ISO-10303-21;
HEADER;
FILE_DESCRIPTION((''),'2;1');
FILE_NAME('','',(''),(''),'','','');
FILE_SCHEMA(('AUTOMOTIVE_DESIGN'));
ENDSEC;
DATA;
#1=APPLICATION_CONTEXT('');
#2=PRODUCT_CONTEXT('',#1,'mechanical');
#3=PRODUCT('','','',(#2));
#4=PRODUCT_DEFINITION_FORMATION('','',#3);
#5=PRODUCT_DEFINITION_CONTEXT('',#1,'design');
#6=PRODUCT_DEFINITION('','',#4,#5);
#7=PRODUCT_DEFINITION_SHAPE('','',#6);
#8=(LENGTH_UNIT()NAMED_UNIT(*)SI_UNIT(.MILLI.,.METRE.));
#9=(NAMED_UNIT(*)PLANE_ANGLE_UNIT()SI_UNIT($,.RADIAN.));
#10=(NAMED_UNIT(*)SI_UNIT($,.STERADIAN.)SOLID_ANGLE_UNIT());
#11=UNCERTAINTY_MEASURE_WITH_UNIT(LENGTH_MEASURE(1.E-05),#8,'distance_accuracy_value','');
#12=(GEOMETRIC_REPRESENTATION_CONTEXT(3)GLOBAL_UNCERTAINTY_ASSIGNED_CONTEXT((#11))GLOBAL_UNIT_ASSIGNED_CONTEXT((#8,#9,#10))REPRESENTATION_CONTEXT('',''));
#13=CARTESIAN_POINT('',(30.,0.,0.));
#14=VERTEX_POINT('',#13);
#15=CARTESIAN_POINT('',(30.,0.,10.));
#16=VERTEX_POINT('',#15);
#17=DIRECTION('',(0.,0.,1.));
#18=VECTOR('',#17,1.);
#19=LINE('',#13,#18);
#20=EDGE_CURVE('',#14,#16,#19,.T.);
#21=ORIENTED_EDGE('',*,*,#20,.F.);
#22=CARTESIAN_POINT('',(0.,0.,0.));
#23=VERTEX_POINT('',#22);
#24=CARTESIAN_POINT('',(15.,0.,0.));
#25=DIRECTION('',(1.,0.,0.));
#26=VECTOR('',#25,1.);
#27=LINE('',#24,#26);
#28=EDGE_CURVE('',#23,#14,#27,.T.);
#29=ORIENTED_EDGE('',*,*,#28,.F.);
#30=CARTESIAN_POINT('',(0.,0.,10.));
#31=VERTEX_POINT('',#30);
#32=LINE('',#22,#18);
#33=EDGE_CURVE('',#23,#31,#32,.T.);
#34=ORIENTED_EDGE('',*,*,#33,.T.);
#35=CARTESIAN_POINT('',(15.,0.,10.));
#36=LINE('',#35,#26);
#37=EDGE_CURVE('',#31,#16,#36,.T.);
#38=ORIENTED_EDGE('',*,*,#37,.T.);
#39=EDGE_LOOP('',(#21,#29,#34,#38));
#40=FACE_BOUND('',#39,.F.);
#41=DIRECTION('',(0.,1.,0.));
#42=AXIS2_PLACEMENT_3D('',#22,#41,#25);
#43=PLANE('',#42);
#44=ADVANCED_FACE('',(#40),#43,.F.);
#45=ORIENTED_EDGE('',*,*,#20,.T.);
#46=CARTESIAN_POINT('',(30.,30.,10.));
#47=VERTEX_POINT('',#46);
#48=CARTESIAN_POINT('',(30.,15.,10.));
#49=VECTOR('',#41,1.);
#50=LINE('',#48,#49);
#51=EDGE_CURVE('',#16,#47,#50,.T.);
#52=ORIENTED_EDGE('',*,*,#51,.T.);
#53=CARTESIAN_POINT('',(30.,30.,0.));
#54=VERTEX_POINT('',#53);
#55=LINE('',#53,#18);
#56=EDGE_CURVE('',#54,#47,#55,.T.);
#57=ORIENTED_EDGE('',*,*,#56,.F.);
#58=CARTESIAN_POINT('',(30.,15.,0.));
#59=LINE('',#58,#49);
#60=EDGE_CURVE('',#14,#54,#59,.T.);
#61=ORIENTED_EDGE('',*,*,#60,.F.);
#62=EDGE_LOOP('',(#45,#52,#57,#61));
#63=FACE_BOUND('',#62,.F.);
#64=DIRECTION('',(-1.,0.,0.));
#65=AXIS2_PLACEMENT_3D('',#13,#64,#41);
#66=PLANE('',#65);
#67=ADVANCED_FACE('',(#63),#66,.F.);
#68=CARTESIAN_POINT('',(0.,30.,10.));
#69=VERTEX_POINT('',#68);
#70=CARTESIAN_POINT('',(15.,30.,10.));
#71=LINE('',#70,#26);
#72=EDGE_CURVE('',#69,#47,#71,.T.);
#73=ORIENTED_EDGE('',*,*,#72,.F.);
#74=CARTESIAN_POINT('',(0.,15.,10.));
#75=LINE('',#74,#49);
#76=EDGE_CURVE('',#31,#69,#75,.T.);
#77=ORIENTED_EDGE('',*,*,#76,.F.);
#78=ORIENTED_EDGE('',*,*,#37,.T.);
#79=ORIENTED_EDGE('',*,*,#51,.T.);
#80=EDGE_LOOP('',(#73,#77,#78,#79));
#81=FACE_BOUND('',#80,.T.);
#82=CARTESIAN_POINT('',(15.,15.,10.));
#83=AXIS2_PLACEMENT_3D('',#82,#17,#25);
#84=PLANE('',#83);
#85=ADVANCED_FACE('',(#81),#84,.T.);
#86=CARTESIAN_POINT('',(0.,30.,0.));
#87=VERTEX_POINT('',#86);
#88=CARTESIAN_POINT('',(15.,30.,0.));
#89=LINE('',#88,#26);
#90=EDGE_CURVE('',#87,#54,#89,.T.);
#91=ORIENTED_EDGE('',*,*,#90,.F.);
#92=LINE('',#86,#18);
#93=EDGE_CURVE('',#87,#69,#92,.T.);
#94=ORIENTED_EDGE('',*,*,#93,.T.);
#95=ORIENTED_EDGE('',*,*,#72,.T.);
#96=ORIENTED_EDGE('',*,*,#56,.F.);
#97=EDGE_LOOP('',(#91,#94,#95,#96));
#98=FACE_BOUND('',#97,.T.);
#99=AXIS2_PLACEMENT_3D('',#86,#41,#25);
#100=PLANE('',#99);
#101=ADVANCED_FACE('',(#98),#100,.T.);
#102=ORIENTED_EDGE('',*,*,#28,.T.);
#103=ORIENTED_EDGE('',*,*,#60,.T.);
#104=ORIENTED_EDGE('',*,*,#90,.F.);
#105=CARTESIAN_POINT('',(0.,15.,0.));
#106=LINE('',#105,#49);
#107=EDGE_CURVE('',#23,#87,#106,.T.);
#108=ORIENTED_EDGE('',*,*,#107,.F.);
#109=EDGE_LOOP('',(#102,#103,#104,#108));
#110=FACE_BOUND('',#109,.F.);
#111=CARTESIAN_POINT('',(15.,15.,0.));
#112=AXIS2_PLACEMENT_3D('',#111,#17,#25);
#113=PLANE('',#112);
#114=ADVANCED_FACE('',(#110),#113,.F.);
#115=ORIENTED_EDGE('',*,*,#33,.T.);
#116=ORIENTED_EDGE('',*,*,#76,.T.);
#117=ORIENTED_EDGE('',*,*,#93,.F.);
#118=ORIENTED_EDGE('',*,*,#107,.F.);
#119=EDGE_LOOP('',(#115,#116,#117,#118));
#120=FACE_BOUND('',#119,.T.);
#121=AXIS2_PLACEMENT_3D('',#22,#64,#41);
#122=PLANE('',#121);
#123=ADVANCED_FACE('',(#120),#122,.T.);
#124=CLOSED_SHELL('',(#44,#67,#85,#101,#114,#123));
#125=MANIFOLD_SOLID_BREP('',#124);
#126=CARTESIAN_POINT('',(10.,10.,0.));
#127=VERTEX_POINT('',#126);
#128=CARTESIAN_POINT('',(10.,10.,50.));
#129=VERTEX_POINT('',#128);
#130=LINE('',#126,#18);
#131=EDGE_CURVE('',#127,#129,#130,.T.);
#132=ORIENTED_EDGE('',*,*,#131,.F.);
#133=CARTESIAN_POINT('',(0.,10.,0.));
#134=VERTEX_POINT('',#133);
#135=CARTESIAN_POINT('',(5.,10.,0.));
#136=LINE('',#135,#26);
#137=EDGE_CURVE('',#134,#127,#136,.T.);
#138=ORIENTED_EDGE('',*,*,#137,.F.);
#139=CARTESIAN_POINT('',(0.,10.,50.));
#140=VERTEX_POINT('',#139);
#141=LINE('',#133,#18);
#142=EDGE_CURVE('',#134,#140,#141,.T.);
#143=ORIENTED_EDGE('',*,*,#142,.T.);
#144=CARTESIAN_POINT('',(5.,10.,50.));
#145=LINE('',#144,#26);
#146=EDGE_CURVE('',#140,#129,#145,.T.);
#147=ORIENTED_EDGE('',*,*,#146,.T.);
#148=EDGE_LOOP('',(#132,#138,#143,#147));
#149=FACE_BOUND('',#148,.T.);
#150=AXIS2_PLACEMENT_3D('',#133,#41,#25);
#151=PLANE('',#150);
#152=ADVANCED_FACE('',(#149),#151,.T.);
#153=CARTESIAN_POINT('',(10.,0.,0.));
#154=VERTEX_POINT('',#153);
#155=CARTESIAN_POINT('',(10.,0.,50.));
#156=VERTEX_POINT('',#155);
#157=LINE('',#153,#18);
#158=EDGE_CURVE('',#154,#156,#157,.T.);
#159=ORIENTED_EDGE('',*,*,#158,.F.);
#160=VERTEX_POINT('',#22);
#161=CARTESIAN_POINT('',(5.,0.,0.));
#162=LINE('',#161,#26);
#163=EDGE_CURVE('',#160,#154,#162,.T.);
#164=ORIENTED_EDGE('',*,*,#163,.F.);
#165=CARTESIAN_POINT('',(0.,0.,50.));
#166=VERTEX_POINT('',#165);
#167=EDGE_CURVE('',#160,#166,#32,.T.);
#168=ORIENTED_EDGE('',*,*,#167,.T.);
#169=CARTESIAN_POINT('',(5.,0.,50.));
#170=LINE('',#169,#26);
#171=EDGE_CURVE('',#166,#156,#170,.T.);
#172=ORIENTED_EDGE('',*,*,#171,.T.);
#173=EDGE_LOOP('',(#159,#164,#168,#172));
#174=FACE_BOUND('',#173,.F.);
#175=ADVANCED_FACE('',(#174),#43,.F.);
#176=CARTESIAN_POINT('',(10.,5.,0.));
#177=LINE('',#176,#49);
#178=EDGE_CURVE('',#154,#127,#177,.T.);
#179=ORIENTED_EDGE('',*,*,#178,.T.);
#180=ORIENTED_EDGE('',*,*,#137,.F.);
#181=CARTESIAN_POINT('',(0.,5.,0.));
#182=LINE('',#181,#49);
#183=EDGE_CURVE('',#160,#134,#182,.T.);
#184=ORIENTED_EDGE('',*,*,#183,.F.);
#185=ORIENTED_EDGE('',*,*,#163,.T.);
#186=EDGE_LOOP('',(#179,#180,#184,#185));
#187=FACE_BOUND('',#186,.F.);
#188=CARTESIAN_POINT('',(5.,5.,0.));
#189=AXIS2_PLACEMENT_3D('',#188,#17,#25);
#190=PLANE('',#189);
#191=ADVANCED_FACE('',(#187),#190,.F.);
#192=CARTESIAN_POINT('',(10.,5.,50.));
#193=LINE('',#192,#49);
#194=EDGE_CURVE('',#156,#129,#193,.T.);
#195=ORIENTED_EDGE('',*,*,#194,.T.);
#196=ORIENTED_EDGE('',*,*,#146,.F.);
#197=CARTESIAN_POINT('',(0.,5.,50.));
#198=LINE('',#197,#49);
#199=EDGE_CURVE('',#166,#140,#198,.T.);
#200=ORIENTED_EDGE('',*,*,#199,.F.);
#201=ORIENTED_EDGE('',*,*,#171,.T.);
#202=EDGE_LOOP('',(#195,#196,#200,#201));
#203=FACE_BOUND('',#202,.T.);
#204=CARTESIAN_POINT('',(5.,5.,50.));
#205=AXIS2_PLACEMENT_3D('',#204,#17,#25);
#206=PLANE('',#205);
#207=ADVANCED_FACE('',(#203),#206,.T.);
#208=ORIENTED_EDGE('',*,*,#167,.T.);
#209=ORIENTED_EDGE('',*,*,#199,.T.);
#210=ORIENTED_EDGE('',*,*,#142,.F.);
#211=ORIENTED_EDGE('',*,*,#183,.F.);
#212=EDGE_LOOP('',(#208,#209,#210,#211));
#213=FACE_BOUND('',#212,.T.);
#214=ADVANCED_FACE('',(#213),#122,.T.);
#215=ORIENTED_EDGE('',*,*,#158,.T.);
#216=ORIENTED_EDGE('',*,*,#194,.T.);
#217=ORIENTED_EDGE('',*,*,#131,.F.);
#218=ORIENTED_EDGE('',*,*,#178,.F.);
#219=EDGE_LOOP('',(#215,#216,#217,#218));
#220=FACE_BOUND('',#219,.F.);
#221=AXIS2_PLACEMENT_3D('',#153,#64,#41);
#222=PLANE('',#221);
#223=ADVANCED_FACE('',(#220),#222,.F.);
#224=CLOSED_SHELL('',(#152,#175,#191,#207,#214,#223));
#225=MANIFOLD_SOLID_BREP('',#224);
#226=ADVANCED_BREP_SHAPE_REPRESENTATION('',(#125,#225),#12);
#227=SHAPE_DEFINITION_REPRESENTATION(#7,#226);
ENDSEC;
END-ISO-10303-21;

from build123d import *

# Parameters (mm, degrees)
BOX_W        = 30
BOX_H        = 30
BOX_DEPTH    = 10
BOX001_W     = 10
BOX001_H     = 10
BOX001_DEPTH = 50


with BuildPart() as basis:
    # Box → Box (new body)
    with BuildSketch(Plane.XY):
        with Locations((15, 15)):
            Rectangle(BOX_W, BOX_H)
    extrude(amount=BOX_DEPTH)


with BuildPart() as pillar:
    # Box001 → Box001 (new body)
    with BuildSketch(Plane.XY):
        with Locations((5, 5)):
            Rectangle(BOX001_W, BOX001_H)
    extrude(amount=BOX001_DEPTH)


solid = Compound([basis.part, pillar.part])
